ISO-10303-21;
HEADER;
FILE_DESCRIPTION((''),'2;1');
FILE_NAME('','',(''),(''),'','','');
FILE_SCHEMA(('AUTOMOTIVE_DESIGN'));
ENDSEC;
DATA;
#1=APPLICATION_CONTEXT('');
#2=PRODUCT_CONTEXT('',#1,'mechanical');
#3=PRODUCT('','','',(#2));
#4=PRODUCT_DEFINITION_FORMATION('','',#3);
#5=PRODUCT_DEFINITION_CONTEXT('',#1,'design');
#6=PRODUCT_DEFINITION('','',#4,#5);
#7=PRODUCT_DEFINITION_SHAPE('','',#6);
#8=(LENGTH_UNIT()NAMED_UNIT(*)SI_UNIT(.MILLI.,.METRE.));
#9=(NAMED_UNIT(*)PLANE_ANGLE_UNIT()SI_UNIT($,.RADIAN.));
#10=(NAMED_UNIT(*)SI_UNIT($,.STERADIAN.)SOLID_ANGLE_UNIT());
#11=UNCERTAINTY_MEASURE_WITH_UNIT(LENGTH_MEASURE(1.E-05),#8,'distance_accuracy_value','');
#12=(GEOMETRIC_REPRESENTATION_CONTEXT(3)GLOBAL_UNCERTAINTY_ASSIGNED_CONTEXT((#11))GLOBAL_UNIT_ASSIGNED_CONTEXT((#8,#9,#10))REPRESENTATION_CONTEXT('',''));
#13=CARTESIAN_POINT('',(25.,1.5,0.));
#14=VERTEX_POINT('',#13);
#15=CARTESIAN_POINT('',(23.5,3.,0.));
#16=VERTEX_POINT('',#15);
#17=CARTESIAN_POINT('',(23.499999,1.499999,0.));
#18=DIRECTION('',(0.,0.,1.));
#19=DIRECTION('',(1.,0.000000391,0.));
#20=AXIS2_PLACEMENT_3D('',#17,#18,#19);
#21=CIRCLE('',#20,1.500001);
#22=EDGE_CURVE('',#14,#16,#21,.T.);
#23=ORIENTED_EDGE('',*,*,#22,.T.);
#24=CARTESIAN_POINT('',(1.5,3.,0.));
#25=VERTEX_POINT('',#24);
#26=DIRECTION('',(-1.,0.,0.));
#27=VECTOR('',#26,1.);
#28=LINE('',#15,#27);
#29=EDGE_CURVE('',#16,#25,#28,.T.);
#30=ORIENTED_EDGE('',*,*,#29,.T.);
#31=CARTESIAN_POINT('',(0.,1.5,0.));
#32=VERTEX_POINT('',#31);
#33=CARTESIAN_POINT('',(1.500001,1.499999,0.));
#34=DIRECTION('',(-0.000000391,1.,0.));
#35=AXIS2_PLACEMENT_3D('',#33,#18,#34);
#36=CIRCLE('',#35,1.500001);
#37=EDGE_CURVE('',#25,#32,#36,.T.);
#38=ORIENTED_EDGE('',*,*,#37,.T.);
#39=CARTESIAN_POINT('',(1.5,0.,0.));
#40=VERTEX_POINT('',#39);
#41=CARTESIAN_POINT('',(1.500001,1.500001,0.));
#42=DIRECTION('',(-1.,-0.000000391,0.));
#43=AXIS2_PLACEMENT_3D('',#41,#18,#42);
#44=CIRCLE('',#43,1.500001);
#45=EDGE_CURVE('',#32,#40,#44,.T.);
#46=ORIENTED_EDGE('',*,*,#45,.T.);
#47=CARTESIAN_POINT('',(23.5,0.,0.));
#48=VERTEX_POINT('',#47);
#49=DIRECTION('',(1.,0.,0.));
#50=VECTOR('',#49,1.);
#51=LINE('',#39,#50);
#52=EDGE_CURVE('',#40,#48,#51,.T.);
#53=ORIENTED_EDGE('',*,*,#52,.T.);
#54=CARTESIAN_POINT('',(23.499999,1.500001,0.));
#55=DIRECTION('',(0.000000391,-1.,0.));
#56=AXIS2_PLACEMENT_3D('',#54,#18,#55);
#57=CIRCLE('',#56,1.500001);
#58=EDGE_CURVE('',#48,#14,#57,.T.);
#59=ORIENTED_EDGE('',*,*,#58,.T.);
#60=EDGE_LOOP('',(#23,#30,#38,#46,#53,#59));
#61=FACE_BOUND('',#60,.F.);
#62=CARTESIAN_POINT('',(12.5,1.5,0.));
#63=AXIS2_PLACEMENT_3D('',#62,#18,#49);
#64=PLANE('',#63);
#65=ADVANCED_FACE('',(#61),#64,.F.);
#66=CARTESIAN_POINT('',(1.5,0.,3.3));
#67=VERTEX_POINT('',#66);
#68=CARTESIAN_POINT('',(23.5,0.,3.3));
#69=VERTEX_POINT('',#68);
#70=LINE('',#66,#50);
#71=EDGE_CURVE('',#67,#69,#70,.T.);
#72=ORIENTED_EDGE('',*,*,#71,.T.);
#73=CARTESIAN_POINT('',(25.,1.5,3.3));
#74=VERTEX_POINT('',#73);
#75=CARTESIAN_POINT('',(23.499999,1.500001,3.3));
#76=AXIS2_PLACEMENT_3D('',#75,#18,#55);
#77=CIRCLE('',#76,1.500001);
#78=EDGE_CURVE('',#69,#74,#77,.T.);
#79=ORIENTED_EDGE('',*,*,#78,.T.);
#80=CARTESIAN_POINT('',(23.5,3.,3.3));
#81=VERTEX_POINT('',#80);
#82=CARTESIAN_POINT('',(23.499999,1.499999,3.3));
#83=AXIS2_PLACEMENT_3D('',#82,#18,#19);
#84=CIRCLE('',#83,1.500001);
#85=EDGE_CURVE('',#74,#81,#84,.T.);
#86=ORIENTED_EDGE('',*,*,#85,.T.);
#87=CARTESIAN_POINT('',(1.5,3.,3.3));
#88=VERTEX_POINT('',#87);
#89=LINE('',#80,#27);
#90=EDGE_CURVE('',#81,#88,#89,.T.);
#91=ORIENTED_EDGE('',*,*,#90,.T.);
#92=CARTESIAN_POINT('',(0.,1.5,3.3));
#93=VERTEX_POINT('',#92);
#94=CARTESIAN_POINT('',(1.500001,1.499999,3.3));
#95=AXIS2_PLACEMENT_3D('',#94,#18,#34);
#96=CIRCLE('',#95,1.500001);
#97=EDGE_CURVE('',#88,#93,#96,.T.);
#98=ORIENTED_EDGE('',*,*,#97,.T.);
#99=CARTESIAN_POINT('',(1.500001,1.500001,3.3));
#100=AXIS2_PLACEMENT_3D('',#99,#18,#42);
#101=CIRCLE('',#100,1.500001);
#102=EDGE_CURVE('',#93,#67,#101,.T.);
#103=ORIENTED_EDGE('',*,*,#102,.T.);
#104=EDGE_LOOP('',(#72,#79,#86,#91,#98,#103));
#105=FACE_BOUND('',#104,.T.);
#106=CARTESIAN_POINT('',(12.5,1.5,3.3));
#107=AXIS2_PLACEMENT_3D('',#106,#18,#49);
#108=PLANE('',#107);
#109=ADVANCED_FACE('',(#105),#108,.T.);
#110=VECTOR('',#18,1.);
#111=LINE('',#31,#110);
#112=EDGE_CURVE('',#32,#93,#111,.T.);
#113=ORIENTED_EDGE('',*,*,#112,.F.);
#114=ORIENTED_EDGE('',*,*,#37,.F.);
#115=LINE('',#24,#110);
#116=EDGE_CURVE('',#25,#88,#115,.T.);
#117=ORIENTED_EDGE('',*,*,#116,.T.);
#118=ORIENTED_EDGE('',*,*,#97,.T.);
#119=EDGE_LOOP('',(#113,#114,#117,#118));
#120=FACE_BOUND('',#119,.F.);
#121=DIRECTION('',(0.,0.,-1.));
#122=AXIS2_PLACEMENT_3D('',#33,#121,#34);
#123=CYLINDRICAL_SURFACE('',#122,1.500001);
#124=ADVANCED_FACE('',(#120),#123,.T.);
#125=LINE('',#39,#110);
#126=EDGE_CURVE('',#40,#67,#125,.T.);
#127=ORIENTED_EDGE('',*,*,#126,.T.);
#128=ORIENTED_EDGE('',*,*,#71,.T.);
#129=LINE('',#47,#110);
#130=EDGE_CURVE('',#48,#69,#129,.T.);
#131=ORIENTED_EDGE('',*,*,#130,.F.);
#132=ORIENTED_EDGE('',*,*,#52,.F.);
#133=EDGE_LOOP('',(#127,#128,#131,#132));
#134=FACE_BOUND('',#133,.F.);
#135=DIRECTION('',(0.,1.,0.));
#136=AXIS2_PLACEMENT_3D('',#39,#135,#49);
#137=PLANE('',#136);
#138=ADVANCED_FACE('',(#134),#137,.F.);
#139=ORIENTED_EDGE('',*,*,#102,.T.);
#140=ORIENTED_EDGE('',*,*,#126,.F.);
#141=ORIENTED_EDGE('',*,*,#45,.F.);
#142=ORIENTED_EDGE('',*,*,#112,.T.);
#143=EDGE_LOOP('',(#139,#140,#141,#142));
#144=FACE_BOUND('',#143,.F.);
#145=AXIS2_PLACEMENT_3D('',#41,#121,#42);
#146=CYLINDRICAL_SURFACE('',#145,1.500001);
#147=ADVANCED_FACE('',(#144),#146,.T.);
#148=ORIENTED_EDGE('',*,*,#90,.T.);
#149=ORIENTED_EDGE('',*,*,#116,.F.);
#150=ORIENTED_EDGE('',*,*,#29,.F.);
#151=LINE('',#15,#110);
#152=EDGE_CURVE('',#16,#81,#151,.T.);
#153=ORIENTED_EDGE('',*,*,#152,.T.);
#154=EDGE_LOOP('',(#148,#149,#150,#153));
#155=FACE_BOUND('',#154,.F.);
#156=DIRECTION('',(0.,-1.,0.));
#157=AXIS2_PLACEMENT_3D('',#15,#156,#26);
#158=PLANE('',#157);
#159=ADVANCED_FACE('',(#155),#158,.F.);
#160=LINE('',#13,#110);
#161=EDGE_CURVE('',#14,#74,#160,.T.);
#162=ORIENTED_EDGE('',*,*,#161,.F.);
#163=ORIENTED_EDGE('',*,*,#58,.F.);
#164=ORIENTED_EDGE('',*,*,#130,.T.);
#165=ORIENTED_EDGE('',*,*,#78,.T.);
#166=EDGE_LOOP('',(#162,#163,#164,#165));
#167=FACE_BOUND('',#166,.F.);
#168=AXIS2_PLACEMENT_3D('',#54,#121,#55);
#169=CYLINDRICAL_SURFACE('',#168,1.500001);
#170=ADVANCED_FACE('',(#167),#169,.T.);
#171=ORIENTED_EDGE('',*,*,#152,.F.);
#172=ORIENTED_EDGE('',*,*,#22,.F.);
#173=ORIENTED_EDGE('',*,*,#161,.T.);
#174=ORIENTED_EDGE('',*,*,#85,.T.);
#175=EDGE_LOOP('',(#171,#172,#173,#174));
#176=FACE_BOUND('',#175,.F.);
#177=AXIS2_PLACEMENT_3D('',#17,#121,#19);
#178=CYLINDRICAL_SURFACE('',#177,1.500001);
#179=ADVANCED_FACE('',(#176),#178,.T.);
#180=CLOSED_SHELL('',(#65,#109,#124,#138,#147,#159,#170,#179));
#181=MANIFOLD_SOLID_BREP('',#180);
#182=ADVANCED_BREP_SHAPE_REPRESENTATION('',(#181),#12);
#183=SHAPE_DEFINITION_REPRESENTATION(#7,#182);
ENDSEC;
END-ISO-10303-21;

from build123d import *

# Parameters (mm, degrees)
F1_DEPTH = 3.3


with BuildPart() as f1:
    # F0 (on Top) → F1 (new body)
    with BuildSketch(Plane.XY):
        with BuildLine():
            ThreePointArc((0, 1.5), (0.43934, 0.43934), (1.5, 0))
            Line((1.5, 0), (23.5, 0))
            ThreePointArc((23.5, 0), (24.56066, 0.43934), (25, 1.5))
            ThreePointArc((25, 1.5), (24.56066, 2.56066), (23.5, 3))
            Line((23.5, 3), (1.5, 3))
            ThreePointArc((1.5, 3), (0.43934, 2.56066), (0, 1.5))
        make_face()
    extrude(amount=F1_DEPTH)


solid = f1.part
